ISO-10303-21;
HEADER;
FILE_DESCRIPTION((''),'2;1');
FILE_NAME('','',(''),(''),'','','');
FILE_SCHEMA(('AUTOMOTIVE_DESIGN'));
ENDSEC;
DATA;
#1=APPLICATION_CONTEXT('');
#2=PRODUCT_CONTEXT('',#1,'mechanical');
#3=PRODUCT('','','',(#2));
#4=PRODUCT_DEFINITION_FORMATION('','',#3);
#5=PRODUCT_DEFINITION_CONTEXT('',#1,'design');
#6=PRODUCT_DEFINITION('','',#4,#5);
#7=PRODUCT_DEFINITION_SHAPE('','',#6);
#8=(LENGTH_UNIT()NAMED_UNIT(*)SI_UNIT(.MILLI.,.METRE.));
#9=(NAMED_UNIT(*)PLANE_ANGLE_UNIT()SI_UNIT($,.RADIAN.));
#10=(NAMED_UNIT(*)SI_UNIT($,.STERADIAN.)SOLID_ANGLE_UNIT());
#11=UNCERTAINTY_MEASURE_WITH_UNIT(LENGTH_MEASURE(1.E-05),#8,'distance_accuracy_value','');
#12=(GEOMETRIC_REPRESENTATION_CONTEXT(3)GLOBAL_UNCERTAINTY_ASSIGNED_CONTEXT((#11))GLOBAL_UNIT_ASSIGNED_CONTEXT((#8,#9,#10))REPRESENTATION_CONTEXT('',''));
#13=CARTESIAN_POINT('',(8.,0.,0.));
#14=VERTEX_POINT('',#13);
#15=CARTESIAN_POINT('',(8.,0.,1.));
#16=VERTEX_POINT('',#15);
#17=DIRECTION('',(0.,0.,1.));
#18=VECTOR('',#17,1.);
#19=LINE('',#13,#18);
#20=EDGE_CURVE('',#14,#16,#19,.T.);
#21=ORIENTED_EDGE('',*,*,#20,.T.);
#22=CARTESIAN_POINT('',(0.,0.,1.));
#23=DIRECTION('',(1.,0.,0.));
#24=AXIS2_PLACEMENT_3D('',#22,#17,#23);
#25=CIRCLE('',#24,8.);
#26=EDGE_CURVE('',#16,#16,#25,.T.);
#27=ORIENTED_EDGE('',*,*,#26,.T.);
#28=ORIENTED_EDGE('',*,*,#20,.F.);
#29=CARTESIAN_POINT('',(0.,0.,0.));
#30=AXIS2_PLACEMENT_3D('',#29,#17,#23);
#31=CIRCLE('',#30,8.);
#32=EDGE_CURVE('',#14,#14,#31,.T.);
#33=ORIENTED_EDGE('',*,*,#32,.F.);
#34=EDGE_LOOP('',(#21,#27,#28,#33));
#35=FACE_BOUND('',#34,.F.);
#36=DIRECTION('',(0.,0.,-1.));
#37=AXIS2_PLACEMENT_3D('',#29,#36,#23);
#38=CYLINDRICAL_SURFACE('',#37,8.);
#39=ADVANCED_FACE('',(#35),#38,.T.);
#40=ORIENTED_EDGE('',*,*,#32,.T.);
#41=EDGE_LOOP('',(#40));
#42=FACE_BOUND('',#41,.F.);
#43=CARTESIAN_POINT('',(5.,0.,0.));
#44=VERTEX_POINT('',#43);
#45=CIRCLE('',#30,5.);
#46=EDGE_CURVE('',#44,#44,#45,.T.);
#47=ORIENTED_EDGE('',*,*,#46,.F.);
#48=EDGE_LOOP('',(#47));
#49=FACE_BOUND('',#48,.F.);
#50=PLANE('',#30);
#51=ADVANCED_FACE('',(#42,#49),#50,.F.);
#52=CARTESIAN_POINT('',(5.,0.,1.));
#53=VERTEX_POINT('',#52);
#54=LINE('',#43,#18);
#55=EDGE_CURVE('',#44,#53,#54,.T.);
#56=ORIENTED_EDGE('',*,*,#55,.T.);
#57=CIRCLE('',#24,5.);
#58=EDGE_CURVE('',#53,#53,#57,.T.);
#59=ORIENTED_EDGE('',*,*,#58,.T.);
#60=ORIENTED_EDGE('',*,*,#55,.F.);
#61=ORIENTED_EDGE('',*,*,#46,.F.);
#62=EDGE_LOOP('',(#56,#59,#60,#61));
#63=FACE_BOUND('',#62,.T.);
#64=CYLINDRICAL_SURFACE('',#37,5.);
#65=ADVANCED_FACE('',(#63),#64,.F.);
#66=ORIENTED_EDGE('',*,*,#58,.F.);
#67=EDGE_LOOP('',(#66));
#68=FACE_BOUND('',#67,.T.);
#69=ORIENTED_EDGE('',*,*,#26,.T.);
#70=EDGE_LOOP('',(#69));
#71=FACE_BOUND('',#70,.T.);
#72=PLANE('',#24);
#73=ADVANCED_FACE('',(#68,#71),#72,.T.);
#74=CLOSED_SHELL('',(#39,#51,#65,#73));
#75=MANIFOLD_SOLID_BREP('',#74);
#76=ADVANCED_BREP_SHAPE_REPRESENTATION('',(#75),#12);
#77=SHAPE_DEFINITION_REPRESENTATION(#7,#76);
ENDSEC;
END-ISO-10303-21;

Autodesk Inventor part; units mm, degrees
ref_plane "YZ Plane" through (0, 0, 0) normal (1, 0, 0) x (0, 1, 0)
ref_plane "XZ Plane" through (0, 0, 0) normal (0, 1, 0) x (-1, 0, 0)
ref_plane "XY Plane" through (0, 0, 0) normal (0, 0, 1) x (1, 0, 0)
sketch "Sketch1" plane through (0, 0, 0) normal (0, 0, 1) x (1, 0, 0)
  circle A0 centre (0, 0) radius 5
  circle A1 centre (0, 0) radius 8
  dimension "d0" = 10
  dimension "d1" = 16
extrude "Extrusion1" add sketch "Sketch1" along normal blind 1
properties part number "shim_10x16x1"
